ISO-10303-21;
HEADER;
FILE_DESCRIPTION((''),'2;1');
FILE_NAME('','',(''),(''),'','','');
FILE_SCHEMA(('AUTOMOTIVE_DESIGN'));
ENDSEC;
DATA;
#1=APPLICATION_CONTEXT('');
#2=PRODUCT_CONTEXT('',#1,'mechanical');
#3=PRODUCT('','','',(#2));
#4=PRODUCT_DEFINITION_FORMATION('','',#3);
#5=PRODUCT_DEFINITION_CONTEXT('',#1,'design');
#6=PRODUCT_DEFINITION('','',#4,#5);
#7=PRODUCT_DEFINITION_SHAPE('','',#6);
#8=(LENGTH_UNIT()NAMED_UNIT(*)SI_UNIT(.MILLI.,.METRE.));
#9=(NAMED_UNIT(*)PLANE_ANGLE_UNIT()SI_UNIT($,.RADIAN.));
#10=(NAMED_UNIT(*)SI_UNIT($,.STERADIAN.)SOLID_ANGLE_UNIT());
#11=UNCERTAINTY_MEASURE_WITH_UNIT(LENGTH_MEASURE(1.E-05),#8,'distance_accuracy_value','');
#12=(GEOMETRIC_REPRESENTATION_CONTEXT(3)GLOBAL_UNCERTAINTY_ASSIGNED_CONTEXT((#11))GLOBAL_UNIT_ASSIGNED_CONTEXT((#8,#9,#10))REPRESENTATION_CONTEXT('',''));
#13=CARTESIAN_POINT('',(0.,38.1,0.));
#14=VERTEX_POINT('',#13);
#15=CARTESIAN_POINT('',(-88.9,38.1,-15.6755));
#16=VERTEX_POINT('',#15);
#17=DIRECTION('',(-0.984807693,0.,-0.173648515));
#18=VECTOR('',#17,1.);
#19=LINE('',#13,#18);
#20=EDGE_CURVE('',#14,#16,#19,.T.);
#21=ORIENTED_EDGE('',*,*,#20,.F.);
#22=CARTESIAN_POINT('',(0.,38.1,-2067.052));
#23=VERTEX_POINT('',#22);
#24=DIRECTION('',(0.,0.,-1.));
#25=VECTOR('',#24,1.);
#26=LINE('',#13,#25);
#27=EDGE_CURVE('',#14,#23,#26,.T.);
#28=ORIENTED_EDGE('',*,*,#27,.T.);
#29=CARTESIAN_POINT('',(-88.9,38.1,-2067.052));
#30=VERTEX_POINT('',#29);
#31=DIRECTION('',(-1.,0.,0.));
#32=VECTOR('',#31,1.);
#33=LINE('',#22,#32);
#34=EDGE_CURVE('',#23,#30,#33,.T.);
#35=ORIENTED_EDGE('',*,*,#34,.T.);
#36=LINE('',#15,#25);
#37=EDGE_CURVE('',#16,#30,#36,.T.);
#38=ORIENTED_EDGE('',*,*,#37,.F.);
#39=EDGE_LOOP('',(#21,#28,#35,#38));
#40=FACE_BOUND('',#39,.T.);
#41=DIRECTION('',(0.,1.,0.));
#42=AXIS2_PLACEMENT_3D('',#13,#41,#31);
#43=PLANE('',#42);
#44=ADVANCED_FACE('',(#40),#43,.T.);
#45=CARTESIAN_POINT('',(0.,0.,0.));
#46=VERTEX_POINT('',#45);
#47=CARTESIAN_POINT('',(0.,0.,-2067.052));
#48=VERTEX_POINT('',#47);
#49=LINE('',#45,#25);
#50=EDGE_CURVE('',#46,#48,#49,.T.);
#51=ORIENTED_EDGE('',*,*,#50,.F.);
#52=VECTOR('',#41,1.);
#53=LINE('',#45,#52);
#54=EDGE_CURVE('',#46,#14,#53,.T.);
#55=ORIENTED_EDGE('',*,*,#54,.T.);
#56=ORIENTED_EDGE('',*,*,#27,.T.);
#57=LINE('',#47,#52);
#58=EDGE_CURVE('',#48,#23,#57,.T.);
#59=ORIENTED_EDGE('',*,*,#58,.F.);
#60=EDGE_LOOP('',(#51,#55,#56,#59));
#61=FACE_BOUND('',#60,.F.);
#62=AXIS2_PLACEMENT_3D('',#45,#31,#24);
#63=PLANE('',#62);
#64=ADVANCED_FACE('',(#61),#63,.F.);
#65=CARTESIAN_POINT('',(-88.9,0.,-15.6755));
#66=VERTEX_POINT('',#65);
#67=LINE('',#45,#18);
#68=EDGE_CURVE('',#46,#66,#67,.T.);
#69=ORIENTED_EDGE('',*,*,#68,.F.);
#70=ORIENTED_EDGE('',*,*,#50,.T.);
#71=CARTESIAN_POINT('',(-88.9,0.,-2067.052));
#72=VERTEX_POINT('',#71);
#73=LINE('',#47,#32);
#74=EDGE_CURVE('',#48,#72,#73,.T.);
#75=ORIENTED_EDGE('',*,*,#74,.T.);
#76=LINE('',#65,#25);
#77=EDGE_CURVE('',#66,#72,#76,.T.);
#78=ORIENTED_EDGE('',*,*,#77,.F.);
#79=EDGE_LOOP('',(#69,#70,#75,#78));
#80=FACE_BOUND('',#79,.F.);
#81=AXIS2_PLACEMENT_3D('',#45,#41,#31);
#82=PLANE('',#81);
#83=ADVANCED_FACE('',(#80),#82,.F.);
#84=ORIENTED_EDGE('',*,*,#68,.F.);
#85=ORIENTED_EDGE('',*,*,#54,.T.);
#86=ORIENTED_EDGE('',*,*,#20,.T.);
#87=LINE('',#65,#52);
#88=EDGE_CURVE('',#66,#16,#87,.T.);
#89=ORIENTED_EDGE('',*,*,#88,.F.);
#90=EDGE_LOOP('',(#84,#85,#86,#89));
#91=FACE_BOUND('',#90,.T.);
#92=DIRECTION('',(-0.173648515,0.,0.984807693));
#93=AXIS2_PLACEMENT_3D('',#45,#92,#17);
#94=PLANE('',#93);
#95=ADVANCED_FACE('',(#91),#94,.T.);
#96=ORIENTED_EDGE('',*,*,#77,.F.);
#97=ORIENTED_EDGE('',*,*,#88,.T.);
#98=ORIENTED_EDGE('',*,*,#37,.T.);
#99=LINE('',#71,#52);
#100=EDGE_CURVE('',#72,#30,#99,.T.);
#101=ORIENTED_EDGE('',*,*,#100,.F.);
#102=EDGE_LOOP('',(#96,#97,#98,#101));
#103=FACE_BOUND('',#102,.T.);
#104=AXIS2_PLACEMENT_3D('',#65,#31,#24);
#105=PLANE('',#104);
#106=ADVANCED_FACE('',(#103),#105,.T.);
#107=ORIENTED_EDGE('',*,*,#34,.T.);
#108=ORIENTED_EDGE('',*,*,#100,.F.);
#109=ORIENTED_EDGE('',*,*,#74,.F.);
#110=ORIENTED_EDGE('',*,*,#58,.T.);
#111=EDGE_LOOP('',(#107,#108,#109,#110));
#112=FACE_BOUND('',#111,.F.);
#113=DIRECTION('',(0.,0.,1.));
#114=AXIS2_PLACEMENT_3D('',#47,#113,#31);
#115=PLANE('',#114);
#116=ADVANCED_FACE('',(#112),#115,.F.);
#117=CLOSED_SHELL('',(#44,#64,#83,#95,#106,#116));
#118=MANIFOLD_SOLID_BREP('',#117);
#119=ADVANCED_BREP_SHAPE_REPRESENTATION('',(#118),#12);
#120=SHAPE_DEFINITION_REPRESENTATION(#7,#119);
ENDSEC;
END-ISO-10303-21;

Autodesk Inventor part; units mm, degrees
ref_plane "YZ Plane" through (0, 0, 0) normal (1, 0, 0) x (0, 1, 0)
ref_plane "XZ Plane" through (0, 0, 0) normal (0, 1, 0) x (-1, 0, 0)
ref_plane "XY Plane" through (0, 0, 0) normal (0, 0, 1) x (1, 0, 0)
sketch "Sketch1" plane through (0, 0, 0) normal (0, 1, 0) x (-1, 0, 0)
  line L0 (0, 0) -> (88.9, -15.6755)
  line L1 (0, 0) -> (116.206, 0) construction
  line L2 (88.9, -15.6755) -> (88.9, -2067.052)
  line L3 (0, 0) -> (0, -2067.052)
  line L4 (0, -2067.052) -> (88.9, -2067.052)
  line L5 (0, -2067.052) -> (0, 0)
extrude "Extrusion1" add sketch "Sketch1" along normal blind 38.1
properties part number "S_2x4x96b"
